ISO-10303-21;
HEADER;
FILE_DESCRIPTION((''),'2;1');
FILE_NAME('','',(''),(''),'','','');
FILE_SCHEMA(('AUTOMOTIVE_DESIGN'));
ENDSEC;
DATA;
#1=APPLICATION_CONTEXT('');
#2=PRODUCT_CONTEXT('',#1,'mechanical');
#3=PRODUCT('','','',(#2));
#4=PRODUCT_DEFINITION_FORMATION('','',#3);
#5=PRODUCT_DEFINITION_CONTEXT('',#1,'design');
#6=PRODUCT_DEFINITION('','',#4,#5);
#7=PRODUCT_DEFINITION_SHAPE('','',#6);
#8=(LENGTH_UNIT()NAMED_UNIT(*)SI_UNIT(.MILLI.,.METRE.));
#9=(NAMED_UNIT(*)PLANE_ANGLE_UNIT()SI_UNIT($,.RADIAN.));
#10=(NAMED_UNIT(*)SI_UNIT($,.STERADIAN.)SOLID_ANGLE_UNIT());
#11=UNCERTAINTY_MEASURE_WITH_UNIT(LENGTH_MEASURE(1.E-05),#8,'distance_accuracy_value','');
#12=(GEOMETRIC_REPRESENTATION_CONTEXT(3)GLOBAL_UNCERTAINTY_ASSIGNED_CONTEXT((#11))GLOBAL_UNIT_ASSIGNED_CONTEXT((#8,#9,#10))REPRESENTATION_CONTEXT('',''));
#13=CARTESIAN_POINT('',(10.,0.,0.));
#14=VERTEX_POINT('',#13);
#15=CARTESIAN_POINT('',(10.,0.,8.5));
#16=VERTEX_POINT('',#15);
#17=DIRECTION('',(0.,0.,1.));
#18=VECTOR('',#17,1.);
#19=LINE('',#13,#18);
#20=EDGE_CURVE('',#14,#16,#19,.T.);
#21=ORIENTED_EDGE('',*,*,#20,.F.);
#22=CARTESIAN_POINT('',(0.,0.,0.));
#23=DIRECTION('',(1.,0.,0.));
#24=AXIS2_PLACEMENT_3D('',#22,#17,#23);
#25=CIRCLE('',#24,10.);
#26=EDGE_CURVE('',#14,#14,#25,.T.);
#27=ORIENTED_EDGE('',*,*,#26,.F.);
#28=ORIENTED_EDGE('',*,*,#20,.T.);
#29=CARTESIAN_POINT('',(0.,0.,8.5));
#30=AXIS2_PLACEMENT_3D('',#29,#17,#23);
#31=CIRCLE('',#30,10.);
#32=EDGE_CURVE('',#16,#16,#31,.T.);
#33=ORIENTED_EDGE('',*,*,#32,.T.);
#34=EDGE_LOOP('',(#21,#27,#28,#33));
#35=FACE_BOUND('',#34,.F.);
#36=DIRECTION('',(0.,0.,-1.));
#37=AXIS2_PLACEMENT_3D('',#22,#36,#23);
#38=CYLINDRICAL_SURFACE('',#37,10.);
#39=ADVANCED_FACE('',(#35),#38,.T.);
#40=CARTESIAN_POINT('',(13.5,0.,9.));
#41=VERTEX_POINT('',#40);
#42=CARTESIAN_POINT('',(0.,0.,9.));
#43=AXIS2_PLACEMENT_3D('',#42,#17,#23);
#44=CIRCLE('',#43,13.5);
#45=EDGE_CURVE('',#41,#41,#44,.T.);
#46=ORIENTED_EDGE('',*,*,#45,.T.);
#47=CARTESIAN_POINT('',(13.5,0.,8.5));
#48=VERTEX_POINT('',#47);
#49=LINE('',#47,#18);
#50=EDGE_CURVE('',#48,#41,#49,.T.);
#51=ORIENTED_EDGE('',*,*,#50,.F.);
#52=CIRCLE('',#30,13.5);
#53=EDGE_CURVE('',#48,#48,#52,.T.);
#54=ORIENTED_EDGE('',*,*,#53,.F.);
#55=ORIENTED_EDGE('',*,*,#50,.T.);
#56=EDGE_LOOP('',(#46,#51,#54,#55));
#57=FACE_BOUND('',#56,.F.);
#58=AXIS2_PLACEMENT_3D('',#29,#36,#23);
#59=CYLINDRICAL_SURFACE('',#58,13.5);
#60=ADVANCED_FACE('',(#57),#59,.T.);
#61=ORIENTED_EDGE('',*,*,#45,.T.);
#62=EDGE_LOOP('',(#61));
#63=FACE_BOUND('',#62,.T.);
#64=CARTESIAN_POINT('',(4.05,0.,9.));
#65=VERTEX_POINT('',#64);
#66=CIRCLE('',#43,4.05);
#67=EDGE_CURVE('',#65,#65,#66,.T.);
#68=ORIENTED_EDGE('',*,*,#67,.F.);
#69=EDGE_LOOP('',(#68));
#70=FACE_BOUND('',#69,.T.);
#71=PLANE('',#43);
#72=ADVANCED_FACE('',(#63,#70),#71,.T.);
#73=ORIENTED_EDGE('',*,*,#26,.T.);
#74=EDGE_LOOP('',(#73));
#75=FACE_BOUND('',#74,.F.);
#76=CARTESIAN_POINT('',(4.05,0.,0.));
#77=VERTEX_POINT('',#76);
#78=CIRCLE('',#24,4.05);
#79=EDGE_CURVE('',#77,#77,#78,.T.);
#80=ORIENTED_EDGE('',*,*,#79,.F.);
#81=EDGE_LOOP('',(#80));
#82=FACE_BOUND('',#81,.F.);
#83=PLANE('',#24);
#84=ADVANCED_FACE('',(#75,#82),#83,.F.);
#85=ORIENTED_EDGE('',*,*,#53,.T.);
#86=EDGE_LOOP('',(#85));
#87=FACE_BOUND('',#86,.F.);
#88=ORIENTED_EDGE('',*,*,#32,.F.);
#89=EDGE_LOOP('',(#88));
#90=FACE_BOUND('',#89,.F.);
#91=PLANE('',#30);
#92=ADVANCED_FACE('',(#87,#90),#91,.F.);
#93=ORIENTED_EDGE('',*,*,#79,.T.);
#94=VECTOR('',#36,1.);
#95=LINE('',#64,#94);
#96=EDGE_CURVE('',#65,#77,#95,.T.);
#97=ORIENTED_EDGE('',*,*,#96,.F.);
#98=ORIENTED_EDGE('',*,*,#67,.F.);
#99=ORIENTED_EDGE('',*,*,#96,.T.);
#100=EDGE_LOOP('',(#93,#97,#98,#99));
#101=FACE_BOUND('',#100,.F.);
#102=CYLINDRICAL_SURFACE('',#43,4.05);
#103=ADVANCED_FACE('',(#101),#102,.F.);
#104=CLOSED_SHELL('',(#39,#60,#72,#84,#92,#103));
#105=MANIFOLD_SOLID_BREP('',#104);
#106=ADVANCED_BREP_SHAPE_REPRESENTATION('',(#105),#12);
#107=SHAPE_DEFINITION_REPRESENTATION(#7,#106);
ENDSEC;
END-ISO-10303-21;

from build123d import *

# Parameters (mm, degrees)
F0_R     = 10
F1_DEPTH = 8.5
F2_R     = 10
F2_R_2   = 13.5
F3_DEPTH = 0.5
F4_R     = 4.05
F5_DEPTH = 9.001


with BuildPart() as f1:
    # F0 (on Top) → F1 (new body)
    with BuildSketch(Plane.XY):
        Circle(F0_R)
    extrude(amount=F1_DEPTH)

    # F2 (on face) → F3 (join)
    with BuildSketch(Plane.XY.offset(8.5)):
        Circle(F2_R)
        Circle(F2_R_2)
        Circle(F2_R, mode=Mode.SUBTRACT)
        Circle(F2_R_2)
    extrude(amount=F3_DEPTH)

    # F4 (on face) → F5 (cut, through all)
    with BuildSketch(Plane.XY.offset(9)):
        Circle(F4_R)
    extrude(amount=-F5_DEPTH, mode=Mode.SUBTRACT)


solid = f1.part
